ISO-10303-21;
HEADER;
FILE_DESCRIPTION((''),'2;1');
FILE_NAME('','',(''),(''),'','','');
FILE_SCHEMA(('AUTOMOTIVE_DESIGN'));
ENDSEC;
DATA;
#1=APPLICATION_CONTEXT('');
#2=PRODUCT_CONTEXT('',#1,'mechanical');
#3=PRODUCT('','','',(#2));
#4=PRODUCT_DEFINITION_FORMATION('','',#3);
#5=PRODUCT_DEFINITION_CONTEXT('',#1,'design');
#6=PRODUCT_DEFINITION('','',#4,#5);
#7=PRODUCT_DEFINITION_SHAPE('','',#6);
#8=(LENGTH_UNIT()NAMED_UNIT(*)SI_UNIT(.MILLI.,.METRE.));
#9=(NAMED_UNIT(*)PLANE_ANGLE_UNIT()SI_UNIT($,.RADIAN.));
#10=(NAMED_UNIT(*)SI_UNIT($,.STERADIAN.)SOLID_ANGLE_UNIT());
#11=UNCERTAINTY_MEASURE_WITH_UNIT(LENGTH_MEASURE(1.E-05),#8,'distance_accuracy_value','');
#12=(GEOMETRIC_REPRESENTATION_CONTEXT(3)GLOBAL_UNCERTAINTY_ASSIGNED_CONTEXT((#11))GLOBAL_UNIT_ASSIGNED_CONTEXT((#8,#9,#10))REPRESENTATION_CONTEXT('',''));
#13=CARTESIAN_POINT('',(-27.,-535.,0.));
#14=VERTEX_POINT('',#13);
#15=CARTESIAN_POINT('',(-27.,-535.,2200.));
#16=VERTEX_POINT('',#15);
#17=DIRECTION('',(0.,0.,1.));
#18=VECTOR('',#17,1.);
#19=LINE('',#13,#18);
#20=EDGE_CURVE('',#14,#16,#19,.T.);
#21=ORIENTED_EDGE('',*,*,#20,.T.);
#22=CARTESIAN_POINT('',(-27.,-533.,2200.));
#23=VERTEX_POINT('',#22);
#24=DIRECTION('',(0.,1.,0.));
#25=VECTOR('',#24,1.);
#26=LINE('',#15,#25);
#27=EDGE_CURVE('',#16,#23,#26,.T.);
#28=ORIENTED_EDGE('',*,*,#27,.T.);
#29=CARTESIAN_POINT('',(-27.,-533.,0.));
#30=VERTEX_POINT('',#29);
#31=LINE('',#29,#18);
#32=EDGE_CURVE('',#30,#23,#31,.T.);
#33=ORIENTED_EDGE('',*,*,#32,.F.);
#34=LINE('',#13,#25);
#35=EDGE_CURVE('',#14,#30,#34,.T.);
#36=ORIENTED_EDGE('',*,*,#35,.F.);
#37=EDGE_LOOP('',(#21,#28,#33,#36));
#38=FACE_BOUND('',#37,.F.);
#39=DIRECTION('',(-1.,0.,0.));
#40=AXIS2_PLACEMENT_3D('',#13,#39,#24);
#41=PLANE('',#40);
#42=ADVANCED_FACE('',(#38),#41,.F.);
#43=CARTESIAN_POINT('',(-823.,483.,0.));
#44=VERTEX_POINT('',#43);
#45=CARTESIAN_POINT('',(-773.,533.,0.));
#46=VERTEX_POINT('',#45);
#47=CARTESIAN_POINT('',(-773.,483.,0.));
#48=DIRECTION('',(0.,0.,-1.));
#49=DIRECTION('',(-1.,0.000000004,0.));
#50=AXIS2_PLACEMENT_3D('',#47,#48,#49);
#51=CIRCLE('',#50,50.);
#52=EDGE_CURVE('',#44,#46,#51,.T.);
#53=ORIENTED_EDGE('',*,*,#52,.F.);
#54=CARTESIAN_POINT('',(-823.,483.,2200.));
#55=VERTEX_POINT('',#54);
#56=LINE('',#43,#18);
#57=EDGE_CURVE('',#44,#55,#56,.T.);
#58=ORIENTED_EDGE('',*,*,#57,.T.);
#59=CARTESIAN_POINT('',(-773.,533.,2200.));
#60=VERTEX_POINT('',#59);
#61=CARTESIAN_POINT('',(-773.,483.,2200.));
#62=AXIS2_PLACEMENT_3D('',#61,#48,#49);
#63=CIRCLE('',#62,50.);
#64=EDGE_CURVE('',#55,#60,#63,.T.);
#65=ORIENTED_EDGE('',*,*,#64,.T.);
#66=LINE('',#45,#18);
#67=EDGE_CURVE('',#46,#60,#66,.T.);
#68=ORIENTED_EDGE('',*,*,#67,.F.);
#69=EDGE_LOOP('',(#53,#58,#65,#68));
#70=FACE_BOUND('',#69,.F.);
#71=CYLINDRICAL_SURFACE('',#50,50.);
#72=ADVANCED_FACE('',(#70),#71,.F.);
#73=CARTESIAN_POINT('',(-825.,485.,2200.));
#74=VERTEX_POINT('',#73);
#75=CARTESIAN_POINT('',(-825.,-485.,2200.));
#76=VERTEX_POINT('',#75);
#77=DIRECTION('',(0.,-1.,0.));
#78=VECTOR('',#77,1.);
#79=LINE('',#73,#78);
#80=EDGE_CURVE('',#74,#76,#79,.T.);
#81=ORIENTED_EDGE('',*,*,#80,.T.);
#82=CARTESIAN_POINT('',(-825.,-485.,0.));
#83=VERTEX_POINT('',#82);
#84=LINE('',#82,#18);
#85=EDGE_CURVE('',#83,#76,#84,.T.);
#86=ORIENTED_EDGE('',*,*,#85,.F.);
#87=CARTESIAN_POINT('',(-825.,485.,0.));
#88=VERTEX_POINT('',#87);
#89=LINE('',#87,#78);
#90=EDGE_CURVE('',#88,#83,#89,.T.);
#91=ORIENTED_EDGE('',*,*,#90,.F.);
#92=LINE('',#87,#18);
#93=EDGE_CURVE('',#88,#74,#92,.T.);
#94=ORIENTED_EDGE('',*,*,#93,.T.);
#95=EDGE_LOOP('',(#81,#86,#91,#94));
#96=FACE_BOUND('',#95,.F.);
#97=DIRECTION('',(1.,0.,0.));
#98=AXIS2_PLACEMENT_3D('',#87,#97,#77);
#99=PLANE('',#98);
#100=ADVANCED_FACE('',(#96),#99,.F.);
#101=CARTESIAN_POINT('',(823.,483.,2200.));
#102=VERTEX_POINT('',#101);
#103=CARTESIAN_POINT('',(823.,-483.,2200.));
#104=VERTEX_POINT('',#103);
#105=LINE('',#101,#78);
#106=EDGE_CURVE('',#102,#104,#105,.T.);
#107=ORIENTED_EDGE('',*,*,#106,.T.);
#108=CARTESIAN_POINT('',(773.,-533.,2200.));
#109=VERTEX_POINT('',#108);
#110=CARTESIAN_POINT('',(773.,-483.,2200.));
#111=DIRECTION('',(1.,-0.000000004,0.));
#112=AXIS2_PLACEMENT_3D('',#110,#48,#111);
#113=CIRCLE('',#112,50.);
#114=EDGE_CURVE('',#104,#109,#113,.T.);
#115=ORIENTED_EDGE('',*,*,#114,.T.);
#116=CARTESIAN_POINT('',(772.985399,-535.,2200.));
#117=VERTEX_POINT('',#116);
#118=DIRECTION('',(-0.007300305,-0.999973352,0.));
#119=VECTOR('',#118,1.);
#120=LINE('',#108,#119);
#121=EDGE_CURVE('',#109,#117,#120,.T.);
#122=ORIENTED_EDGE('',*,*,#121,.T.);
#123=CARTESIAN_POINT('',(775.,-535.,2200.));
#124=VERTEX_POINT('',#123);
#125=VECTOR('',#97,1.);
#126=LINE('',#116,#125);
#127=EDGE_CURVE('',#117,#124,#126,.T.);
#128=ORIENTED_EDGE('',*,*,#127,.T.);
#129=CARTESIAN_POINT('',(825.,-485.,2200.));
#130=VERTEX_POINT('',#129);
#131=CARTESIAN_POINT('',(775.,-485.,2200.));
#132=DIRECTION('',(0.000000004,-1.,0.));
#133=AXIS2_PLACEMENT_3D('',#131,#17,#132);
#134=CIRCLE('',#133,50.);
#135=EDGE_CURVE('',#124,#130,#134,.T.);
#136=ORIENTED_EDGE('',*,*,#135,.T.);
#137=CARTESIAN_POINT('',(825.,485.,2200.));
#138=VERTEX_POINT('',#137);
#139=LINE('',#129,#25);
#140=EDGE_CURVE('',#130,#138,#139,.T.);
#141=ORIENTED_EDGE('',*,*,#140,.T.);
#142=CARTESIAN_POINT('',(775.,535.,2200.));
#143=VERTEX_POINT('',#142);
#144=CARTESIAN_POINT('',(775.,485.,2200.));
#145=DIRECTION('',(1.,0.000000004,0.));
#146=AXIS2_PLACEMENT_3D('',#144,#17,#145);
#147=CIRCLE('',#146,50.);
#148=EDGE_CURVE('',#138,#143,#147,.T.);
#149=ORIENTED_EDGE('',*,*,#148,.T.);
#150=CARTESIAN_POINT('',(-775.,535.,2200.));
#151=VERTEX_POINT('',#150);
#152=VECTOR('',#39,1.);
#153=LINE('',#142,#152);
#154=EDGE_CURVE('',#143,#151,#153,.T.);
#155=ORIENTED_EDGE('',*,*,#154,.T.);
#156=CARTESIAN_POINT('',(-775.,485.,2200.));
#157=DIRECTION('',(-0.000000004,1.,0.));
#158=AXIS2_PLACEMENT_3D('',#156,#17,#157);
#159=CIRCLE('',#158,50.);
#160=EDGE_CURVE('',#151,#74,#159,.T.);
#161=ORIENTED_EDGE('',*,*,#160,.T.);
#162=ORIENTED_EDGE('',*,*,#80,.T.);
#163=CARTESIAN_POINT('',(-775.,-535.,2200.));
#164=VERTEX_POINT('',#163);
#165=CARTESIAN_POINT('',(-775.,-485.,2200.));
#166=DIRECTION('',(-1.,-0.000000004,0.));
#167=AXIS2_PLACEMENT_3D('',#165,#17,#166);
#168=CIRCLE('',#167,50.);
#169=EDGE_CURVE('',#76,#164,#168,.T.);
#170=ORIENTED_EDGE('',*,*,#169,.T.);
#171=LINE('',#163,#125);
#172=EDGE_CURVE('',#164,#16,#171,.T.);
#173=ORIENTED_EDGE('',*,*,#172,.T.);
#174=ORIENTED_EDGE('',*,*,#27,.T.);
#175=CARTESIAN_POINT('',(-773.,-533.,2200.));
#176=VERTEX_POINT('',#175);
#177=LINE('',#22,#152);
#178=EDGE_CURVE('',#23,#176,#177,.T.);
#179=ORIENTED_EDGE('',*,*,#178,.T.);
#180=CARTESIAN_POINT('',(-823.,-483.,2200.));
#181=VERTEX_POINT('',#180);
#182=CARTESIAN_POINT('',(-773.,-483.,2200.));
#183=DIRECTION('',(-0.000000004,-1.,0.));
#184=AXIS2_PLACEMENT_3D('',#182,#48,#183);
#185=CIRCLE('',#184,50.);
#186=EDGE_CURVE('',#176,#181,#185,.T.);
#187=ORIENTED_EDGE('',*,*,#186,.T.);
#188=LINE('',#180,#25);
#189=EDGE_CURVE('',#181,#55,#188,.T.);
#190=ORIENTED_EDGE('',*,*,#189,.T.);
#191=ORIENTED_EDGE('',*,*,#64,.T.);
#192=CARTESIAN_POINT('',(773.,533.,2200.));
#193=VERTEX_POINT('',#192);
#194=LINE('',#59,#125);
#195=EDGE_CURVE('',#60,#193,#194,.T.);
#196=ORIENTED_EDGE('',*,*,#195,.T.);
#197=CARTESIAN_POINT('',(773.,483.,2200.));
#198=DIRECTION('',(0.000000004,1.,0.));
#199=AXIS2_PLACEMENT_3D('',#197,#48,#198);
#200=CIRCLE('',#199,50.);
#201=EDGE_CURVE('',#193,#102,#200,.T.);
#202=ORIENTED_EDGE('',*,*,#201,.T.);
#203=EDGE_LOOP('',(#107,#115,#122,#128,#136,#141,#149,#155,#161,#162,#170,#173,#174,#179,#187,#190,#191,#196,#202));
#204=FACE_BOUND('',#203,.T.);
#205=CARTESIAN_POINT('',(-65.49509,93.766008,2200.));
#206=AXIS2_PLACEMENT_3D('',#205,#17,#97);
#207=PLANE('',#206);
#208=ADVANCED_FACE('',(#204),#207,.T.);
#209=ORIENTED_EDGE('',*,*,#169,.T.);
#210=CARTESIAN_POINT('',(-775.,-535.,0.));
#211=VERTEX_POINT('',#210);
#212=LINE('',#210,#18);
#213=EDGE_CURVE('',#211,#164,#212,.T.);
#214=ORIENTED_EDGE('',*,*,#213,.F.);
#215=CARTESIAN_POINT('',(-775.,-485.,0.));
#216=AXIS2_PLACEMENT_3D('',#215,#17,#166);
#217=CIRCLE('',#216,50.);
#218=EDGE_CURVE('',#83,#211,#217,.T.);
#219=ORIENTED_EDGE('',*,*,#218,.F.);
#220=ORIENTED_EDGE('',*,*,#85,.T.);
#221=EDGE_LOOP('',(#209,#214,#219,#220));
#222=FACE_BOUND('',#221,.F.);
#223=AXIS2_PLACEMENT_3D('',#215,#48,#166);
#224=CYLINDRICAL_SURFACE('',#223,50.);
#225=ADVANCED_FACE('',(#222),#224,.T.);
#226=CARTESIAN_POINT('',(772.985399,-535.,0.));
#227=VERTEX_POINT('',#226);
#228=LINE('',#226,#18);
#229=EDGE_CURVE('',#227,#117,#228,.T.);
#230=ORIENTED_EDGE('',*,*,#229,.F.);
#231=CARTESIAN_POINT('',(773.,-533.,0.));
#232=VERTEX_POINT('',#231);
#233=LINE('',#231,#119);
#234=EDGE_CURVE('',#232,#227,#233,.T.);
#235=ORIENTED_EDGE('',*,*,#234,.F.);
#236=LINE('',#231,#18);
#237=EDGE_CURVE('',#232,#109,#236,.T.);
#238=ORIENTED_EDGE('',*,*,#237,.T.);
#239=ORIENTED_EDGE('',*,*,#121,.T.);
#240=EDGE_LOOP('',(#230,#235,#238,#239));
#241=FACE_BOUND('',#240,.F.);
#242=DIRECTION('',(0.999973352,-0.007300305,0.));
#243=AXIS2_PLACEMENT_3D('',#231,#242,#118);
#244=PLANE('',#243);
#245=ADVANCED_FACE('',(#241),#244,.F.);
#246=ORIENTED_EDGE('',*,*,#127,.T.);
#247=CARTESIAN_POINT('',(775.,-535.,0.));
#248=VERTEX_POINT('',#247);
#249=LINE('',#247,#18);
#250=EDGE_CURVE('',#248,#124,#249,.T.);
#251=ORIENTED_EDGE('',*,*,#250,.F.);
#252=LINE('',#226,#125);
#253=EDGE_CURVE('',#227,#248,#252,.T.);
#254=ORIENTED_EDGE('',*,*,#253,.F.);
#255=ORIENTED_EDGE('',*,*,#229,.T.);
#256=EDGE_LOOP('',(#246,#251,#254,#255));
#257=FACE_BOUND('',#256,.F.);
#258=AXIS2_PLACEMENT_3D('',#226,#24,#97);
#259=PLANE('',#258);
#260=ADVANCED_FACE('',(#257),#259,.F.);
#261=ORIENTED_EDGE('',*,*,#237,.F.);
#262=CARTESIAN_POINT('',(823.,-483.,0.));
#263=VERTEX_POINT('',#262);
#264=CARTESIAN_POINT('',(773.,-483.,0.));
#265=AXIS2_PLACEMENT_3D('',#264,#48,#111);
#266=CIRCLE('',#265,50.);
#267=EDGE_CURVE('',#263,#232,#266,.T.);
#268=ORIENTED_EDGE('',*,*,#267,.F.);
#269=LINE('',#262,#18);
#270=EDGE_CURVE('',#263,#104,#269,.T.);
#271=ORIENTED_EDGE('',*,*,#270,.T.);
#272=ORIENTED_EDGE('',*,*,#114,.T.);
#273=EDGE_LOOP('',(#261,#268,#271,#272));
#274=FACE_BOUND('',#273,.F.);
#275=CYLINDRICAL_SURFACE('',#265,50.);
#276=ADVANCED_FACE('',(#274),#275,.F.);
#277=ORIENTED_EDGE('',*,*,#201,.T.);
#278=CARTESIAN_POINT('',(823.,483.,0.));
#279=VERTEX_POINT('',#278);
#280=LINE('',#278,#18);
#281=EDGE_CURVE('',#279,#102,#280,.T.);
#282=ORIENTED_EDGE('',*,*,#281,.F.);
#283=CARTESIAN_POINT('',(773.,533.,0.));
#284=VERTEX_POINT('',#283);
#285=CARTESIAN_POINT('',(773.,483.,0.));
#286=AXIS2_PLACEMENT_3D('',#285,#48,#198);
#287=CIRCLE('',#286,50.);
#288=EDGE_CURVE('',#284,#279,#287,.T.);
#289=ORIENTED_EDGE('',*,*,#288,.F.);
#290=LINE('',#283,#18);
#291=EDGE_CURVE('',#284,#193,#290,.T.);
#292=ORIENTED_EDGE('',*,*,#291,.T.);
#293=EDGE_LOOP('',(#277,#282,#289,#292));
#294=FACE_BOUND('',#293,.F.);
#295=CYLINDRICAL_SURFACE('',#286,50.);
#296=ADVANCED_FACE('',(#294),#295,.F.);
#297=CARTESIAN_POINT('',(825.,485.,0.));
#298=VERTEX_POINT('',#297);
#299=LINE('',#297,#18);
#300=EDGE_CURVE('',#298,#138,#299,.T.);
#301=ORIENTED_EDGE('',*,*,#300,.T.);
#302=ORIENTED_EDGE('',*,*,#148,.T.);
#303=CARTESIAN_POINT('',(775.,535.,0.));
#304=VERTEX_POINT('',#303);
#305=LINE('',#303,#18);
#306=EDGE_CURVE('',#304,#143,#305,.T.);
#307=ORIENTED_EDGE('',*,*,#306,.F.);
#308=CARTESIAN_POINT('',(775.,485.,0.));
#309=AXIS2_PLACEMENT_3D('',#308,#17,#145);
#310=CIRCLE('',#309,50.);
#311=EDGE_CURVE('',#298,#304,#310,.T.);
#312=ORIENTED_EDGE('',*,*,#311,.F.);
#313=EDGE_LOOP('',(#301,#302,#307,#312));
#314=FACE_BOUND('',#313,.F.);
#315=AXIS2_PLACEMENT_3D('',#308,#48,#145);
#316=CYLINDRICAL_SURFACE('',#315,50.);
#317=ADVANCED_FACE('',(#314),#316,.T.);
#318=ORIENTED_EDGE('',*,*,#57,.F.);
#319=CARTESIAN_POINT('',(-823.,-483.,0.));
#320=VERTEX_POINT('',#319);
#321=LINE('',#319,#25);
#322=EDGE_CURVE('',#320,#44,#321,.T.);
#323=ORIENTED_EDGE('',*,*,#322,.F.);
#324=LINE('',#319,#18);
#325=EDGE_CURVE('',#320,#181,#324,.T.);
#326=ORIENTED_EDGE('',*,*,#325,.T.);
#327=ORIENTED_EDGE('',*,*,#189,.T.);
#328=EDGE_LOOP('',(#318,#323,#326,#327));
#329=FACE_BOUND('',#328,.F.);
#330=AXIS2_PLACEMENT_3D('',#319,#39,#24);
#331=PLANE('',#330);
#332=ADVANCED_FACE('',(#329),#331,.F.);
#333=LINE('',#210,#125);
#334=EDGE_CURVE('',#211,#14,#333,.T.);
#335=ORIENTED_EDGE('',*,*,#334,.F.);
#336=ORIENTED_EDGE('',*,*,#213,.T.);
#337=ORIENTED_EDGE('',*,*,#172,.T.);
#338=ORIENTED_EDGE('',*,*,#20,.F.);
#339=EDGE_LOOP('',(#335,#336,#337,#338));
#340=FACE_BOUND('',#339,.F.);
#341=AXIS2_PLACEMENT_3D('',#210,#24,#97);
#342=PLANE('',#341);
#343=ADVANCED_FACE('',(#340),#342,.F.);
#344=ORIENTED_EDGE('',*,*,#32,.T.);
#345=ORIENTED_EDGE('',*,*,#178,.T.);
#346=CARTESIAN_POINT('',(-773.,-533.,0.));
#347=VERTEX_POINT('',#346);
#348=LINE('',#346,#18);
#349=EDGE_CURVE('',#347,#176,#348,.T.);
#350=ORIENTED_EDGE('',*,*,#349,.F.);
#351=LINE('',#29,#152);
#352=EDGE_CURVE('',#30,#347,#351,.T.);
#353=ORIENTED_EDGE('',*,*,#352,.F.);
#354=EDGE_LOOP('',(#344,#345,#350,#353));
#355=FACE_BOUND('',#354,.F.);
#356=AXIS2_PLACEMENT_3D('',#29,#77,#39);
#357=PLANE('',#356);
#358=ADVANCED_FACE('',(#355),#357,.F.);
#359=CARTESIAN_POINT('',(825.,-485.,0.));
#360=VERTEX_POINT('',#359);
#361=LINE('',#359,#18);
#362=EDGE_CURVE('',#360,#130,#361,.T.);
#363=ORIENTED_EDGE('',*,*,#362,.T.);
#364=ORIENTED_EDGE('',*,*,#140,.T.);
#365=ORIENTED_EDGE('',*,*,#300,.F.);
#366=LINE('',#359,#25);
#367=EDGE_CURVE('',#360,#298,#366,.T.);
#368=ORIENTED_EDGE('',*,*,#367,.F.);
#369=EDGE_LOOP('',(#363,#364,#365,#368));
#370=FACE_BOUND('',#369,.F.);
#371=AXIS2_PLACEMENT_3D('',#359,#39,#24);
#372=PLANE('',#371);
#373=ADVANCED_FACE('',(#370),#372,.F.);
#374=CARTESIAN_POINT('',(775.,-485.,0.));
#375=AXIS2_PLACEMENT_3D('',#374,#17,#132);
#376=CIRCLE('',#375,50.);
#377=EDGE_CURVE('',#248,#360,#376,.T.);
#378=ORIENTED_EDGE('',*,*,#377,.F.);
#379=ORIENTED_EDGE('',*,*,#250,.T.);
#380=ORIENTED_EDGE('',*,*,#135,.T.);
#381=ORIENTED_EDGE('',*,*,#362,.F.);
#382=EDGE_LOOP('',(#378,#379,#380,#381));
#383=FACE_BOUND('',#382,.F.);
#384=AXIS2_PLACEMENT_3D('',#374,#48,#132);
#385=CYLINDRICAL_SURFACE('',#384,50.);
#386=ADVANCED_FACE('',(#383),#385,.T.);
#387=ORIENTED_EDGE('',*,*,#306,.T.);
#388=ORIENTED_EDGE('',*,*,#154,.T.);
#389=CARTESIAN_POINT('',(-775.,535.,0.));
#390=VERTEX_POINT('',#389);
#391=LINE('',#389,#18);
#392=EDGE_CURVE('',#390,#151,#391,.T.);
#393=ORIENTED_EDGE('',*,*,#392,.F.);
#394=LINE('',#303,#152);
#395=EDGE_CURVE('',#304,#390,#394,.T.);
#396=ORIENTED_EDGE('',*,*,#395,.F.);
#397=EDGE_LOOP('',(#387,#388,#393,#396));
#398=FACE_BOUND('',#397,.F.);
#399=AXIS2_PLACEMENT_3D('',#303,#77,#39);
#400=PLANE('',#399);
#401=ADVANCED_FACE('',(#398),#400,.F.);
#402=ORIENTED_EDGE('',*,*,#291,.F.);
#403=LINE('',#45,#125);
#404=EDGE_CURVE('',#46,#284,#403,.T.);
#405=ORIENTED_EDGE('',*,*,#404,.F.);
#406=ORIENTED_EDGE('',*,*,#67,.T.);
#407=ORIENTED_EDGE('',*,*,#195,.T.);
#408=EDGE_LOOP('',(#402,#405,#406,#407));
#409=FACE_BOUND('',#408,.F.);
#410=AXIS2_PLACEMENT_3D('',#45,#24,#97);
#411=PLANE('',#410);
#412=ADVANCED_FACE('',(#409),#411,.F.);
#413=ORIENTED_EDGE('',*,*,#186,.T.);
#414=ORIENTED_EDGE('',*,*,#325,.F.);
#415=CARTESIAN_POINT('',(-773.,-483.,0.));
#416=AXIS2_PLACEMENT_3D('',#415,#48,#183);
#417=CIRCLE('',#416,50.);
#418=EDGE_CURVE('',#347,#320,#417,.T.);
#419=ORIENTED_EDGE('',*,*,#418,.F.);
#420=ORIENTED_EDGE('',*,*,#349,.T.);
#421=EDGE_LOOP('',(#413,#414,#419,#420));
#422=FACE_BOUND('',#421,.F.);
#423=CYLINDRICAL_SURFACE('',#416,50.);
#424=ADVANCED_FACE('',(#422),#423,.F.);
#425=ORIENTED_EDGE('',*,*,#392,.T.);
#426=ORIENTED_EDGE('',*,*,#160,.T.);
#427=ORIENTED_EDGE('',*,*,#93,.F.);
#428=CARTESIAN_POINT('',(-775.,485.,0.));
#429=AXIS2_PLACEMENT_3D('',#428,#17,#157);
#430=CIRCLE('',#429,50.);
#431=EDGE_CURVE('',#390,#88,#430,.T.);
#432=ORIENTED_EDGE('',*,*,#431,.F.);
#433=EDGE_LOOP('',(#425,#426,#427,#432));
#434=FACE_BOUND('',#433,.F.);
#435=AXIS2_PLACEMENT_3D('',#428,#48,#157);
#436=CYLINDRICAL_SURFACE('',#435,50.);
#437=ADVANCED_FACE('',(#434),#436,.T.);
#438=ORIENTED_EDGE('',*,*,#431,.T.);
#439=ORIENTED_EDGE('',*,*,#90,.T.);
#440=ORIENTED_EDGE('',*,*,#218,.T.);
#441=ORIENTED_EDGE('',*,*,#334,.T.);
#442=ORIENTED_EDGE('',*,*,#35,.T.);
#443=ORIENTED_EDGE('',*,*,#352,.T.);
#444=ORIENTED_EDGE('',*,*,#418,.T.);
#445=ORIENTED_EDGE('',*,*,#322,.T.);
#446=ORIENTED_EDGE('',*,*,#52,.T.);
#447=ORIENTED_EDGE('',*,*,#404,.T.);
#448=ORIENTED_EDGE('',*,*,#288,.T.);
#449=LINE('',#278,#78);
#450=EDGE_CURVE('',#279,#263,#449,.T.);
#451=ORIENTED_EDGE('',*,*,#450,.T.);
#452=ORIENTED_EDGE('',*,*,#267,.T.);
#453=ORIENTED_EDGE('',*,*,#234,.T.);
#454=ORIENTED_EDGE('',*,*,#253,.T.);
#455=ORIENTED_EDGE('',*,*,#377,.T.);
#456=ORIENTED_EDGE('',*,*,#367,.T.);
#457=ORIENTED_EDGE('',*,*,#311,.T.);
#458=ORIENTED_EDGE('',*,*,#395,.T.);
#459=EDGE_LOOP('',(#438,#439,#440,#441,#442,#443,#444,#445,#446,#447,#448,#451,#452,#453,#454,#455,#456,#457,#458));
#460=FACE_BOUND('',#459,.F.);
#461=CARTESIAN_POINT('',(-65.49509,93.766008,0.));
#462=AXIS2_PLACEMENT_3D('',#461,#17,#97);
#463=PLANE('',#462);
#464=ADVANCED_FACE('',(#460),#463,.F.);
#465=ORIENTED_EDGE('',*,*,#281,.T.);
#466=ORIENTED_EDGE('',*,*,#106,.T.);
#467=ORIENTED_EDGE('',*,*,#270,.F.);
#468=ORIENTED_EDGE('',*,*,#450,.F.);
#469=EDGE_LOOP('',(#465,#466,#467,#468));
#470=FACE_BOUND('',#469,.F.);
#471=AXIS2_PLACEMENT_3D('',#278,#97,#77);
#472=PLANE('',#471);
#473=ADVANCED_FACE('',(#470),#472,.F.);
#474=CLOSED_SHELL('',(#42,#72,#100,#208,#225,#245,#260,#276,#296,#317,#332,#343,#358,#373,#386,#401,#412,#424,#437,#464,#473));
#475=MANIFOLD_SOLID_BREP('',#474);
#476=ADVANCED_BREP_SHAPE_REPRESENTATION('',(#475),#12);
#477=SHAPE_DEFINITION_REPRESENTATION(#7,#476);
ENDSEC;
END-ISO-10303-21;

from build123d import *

# Parameters (mm, degrees)
F1_DEPTH = 2200


with BuildPart() as f1:
    # F0 (on Top) → F1 (new body)
    with BuildSketch(Plane.XY):
        with BuildLine():
            ThreePointArc((825, 485), (810.355339, 520.355339), (775, 535))
            Line((775, 535), (-775, 535))
            ThreePointArc((-775, 535), (-810.355339, 520.355339), (-825, 485))
            Line((-825, 485), (-825, -485))
            ThreePointArc((-825, -485), (-810.355339, -520.355339), (-775, -535))
            Line((-775, -535), (-27, -535))
            Line((-27, -535), (-27, -533))
            Line((-27, -533), (-773, -533))
            ThreePointArc((-773, -533), (-808.355339, -518.355339), (-823, -483))
            Line((-823, -483), (-823, 483))
            ThreePointArc((-823, 483), (-808.355339, 518.355339), (-773, 533))
            Line((-773, 533), (773, 533))
            ThreePointArc((773, 533), (808.355339, 518.355339), (823, 483))
            Line((823, 483), (823, -483))
            ThreePointArc((823, -483), (808.355339, -518.355339), (773, -533))
            Line((773, -533), (772.985399, -535))
            Line((772.985399, -535), (775, -535))
            ThreePointArc((775, -535), (810.355339, -520.355339), (825, -485))
            Line((825, -485), (825, 485))
        make_face()
    extrude(amount=F1_DEPTH)


solid = f1.part
